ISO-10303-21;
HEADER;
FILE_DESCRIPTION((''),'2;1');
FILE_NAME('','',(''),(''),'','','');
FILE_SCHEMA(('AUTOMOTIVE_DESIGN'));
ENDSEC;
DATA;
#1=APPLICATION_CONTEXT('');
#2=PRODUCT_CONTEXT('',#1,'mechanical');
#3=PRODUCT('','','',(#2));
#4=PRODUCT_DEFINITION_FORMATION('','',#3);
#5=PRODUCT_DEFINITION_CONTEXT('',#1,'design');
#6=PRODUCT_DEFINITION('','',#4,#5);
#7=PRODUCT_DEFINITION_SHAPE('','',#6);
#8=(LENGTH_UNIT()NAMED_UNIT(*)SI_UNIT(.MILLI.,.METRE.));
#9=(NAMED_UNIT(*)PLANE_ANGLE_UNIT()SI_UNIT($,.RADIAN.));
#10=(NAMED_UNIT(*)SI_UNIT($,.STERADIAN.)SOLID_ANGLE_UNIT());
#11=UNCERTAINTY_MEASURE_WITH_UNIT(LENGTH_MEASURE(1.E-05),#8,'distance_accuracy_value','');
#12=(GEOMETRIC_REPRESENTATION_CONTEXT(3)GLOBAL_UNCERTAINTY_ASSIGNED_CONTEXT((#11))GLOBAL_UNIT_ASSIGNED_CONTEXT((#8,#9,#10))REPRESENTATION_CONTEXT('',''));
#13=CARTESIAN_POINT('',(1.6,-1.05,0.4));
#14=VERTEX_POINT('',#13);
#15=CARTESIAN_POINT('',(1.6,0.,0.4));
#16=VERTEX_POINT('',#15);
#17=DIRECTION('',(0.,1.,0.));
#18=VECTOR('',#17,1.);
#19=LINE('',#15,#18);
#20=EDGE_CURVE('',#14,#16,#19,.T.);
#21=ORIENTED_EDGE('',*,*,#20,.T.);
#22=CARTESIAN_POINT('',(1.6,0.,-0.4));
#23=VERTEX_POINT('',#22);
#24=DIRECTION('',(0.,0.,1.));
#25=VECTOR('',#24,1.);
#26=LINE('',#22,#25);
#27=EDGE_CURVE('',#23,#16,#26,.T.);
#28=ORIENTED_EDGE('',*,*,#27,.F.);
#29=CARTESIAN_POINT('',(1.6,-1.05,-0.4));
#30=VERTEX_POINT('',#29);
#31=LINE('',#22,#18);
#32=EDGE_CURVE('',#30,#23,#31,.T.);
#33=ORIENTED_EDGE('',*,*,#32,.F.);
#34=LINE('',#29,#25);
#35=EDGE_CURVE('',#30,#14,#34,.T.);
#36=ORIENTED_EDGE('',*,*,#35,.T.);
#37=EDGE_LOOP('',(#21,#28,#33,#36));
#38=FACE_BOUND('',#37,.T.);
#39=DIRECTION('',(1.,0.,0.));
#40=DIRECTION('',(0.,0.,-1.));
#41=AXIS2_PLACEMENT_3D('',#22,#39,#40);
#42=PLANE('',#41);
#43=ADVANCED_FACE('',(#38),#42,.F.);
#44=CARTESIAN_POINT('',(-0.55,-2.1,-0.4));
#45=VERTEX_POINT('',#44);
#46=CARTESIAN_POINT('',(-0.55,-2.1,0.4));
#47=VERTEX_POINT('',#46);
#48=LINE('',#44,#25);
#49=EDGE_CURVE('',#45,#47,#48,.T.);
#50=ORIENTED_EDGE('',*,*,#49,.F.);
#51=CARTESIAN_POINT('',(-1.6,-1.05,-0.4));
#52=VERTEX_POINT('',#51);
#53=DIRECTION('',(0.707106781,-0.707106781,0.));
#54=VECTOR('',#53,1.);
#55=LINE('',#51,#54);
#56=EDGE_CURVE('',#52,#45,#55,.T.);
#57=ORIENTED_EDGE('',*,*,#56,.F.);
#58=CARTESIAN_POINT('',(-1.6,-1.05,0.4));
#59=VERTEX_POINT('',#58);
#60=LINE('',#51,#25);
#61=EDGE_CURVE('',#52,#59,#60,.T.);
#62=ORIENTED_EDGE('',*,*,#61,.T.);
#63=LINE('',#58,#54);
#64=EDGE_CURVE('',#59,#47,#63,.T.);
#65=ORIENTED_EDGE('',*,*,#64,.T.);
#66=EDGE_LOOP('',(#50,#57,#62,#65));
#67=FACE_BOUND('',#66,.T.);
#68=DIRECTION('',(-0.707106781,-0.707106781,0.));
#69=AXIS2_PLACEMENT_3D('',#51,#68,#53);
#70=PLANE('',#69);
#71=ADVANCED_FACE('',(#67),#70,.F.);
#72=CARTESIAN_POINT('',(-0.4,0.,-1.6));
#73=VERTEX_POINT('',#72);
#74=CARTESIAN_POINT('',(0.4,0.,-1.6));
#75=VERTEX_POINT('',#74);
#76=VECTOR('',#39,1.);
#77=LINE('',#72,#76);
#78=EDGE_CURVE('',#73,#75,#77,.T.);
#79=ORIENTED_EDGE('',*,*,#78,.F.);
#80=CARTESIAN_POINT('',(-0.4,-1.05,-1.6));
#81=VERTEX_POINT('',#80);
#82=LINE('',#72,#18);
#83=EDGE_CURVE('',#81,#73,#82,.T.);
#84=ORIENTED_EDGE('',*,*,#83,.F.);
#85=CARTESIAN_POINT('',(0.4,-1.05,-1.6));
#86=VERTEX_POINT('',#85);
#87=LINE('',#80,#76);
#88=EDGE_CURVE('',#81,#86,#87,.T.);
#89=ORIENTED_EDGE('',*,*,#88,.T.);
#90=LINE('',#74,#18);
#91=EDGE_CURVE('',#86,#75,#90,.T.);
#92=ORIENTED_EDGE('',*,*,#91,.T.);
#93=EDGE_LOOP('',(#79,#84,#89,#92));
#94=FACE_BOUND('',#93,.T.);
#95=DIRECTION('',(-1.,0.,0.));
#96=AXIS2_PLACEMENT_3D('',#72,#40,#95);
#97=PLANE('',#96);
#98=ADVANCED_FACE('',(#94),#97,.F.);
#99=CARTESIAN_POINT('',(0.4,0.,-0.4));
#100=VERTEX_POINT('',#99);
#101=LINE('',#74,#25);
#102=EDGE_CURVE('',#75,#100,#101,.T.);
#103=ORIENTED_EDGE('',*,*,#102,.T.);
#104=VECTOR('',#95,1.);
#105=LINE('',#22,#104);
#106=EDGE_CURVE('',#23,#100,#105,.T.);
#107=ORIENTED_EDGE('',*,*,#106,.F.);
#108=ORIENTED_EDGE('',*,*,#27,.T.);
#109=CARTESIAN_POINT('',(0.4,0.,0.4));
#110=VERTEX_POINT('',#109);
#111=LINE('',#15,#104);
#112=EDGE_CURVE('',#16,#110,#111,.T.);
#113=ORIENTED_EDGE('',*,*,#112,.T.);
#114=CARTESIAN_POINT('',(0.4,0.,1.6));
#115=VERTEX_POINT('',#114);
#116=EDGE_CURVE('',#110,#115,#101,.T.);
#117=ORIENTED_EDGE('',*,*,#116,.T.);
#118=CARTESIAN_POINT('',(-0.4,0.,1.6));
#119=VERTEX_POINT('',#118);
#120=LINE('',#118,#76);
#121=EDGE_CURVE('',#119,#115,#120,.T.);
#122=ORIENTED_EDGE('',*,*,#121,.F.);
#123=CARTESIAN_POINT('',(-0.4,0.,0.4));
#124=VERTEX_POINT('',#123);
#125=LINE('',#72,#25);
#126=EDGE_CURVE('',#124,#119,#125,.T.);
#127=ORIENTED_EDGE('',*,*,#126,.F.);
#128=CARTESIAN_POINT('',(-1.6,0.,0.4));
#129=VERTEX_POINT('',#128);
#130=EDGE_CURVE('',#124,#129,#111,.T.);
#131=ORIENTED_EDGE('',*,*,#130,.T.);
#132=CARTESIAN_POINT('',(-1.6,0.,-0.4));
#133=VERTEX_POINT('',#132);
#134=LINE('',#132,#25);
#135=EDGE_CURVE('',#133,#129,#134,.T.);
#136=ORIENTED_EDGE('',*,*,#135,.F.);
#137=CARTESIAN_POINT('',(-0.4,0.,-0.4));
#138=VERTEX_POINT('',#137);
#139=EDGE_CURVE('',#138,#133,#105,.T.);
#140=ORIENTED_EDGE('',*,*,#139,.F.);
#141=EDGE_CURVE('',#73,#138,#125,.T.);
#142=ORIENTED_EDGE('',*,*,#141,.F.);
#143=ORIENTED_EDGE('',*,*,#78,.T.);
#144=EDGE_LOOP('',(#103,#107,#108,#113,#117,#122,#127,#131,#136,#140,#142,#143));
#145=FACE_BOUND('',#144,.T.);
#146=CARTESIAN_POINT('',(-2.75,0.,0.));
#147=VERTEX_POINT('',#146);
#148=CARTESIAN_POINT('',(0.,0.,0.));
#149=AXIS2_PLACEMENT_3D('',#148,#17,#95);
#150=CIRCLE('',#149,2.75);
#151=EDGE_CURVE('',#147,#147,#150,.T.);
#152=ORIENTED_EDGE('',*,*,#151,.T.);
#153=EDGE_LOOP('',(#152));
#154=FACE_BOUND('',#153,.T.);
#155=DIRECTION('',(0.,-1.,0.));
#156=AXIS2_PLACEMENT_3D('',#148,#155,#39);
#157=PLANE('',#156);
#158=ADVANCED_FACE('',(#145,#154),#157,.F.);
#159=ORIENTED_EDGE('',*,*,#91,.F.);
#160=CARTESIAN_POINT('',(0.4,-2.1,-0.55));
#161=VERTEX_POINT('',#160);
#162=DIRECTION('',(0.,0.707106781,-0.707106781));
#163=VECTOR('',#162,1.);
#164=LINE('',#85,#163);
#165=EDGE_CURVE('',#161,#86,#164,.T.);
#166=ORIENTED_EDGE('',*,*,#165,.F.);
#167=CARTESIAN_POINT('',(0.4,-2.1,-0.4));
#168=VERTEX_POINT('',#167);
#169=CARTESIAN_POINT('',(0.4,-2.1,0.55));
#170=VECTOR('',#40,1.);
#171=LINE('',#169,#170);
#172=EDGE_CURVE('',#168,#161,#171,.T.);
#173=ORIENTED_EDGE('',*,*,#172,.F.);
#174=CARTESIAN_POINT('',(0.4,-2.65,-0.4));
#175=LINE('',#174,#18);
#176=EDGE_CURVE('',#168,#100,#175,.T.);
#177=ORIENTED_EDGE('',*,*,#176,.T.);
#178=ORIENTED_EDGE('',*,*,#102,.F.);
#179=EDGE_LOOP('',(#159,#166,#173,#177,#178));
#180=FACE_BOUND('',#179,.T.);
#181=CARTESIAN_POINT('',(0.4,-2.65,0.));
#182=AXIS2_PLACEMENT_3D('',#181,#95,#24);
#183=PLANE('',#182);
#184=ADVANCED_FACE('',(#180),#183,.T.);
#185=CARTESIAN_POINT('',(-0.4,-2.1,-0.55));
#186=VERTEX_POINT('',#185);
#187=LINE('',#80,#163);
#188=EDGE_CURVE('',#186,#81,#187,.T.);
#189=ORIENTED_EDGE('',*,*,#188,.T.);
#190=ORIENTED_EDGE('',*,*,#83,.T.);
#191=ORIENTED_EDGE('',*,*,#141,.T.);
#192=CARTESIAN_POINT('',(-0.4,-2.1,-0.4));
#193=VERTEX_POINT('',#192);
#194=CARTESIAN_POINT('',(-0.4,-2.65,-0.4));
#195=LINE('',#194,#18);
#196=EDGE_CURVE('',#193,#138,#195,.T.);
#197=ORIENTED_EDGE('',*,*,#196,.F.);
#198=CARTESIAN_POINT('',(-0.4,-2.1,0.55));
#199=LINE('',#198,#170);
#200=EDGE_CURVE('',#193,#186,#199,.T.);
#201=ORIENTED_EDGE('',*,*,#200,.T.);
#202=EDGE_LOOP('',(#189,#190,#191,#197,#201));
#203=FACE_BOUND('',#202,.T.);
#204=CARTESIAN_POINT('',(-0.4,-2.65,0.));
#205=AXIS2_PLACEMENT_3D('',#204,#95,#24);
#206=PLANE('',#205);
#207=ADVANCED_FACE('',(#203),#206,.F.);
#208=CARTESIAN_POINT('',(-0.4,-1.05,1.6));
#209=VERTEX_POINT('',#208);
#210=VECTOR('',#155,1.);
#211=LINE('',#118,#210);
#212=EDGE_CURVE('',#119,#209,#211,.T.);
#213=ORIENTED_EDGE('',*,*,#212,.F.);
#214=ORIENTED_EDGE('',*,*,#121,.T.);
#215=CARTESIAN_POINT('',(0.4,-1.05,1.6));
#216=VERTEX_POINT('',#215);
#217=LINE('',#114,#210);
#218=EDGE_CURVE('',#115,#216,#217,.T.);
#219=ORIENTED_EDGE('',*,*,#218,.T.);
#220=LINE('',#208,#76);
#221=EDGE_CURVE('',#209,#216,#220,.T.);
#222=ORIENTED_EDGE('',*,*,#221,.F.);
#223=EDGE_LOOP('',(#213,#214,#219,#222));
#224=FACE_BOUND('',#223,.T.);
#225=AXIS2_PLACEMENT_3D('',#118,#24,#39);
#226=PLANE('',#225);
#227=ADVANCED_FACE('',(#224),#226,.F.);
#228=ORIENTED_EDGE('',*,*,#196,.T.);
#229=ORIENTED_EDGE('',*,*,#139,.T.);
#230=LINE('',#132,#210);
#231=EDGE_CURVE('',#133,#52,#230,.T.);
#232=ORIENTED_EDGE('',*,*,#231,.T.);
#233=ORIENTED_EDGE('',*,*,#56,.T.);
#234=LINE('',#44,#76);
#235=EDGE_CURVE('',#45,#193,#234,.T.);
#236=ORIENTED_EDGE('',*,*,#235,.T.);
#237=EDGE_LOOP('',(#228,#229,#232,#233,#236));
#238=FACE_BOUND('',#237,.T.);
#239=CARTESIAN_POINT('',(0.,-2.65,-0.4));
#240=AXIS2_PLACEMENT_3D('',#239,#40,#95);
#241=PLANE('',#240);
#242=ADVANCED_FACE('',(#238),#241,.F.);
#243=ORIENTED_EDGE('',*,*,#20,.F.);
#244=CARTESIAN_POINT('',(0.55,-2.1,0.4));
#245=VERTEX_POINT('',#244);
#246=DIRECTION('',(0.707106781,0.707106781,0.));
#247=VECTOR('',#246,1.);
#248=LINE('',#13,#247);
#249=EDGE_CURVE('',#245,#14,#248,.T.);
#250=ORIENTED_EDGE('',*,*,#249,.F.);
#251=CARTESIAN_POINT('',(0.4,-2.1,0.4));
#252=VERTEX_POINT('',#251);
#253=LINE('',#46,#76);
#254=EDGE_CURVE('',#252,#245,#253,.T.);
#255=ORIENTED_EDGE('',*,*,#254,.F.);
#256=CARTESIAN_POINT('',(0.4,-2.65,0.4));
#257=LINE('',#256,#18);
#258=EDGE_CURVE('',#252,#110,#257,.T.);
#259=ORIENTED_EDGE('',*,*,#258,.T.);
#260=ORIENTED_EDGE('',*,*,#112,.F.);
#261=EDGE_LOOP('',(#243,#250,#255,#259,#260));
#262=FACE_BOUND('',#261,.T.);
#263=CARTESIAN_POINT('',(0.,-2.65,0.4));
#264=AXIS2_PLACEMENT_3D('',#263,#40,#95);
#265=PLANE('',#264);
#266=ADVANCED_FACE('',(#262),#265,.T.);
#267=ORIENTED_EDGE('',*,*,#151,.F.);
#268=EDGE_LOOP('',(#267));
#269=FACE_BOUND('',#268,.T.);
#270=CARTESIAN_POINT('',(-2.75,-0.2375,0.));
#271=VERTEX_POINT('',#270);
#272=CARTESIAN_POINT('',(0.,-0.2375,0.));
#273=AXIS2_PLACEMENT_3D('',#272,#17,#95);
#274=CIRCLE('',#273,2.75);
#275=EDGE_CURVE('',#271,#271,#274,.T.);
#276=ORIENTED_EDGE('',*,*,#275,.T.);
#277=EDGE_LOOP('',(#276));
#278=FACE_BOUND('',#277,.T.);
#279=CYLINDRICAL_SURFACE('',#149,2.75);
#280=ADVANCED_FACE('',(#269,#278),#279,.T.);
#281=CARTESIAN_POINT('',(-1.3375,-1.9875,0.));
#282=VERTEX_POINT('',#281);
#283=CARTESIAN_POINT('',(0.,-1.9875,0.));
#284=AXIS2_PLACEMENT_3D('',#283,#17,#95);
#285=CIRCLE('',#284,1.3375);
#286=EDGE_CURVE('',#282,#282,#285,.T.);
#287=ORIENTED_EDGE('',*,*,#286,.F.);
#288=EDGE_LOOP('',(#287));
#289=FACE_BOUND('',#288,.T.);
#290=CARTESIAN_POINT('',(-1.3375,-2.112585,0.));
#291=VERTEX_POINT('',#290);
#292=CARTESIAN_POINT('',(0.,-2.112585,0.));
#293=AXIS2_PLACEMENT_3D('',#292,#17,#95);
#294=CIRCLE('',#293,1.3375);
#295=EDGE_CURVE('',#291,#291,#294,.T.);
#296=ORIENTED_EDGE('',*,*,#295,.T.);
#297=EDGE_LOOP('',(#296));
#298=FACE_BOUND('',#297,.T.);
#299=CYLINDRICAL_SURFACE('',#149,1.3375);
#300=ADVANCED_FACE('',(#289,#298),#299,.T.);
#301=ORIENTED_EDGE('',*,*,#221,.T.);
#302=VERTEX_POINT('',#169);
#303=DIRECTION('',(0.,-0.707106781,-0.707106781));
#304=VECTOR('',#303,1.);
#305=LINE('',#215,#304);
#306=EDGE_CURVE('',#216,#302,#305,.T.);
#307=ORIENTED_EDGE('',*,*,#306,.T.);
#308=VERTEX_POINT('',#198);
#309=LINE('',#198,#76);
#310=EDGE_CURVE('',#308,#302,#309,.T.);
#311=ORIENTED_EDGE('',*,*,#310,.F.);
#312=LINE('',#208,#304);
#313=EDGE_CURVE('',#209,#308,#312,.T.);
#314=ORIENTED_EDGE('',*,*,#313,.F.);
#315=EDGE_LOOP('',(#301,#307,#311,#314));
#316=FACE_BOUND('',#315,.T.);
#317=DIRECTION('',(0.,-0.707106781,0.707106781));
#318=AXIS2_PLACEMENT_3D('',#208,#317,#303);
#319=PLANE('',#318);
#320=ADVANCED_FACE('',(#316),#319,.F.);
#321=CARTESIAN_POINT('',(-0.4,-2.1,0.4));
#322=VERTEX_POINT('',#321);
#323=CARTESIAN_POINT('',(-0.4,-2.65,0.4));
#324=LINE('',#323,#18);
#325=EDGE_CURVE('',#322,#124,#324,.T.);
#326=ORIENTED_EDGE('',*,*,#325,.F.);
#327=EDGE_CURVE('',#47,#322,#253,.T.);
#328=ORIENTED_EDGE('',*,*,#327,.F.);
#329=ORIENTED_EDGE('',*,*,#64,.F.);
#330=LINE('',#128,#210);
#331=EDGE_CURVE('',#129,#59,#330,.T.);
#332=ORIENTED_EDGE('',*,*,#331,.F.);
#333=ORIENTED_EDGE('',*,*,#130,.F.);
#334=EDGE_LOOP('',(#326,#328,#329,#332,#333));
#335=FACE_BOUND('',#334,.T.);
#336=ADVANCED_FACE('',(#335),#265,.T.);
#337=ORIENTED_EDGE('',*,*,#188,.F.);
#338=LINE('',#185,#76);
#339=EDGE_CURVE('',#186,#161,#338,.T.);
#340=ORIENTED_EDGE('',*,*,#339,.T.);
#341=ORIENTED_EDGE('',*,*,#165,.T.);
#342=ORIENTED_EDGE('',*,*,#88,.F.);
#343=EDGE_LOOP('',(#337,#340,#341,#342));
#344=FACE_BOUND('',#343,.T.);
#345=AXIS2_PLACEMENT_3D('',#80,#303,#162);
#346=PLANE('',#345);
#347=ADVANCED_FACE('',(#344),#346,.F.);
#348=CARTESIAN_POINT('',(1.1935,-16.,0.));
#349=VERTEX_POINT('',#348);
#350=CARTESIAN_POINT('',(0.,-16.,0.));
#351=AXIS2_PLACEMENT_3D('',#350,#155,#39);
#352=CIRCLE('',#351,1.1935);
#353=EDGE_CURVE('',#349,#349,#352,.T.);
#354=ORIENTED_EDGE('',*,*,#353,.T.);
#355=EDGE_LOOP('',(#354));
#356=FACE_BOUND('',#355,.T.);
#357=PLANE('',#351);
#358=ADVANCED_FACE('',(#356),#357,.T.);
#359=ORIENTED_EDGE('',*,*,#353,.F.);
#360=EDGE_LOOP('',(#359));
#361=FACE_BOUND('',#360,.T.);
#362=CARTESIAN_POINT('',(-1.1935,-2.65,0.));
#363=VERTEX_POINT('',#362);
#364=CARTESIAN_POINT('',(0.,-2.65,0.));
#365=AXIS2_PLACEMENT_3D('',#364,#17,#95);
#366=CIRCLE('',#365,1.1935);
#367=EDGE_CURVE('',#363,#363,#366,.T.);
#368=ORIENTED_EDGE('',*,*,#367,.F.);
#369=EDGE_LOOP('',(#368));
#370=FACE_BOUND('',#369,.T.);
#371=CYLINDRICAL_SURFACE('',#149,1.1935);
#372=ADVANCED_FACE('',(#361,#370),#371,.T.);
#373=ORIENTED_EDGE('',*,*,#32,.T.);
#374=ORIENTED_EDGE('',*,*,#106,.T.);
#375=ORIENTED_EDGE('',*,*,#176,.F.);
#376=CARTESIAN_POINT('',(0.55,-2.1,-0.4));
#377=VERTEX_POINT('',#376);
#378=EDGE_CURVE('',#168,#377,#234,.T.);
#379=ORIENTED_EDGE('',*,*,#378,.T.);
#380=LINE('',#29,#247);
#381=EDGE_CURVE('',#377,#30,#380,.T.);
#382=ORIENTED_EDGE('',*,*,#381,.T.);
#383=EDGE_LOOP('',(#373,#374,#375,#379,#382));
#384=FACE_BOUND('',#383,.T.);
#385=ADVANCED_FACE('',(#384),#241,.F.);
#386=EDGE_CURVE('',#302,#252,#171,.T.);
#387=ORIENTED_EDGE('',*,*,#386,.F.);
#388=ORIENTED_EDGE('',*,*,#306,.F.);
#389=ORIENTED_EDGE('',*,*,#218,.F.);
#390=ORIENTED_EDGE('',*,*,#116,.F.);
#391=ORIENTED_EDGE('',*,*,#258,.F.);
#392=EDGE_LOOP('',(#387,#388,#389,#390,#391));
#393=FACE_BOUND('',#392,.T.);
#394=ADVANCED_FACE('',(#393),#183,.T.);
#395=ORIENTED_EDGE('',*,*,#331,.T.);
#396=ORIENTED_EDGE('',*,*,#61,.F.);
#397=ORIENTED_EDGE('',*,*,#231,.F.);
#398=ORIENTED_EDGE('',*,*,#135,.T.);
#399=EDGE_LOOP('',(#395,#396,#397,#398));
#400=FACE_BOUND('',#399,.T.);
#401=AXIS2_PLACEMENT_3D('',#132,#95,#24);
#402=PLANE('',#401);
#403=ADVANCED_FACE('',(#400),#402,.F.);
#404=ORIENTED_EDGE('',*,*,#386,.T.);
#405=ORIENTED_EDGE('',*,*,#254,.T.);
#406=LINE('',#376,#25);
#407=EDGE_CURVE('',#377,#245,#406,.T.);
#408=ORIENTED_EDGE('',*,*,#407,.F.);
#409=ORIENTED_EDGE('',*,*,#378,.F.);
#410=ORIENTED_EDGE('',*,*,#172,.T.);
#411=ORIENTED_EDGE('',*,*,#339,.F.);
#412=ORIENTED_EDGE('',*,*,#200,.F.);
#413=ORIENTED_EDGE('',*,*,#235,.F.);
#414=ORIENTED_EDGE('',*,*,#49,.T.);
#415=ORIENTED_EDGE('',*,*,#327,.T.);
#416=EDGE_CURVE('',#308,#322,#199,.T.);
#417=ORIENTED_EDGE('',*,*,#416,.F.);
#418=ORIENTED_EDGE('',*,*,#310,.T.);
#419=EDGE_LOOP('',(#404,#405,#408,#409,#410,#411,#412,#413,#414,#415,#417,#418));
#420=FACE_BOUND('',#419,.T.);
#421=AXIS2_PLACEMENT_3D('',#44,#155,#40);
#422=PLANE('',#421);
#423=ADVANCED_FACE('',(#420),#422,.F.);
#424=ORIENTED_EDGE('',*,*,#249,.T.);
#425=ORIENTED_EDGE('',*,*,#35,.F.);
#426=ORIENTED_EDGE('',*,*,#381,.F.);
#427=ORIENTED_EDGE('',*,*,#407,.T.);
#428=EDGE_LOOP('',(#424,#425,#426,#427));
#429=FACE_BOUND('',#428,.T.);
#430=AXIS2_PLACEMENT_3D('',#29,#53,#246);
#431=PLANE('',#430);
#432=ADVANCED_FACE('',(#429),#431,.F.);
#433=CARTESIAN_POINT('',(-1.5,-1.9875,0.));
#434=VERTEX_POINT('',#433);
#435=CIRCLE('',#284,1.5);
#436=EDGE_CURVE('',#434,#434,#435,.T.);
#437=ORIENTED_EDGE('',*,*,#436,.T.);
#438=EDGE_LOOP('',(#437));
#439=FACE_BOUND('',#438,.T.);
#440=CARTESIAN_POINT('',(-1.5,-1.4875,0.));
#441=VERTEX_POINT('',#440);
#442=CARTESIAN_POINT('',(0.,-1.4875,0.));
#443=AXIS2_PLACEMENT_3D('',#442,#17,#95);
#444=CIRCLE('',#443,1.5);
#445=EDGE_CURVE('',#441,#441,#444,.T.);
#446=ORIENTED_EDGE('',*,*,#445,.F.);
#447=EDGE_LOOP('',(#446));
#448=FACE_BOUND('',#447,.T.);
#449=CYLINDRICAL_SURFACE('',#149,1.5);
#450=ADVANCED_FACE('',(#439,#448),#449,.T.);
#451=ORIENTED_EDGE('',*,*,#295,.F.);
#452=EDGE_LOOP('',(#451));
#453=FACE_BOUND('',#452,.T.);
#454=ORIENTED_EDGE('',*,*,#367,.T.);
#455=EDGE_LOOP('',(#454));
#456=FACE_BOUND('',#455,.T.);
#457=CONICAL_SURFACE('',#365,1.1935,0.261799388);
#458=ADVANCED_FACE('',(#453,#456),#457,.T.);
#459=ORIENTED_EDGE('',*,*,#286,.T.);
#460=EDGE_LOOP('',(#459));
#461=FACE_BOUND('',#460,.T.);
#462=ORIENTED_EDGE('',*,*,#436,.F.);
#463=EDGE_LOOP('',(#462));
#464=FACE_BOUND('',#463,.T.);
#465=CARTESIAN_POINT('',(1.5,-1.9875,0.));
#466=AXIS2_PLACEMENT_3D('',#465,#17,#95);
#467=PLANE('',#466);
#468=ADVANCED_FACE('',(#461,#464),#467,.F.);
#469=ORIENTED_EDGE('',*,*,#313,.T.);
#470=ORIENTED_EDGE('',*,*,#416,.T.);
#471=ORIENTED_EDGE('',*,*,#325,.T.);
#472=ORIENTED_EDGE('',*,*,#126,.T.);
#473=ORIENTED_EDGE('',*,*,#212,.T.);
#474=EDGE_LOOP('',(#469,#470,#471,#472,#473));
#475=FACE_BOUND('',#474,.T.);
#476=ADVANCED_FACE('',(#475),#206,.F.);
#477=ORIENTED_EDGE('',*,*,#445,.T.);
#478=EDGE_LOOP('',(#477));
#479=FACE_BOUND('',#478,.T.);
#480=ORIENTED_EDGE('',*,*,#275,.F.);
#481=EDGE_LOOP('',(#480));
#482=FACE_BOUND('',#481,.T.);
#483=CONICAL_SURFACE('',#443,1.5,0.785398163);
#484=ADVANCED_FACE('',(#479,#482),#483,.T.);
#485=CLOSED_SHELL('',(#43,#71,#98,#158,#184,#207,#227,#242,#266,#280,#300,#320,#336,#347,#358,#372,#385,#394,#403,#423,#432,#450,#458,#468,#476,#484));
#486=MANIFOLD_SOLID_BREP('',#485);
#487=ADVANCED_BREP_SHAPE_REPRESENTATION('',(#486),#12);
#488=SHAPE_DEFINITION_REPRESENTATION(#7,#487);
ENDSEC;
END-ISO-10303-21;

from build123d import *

# Parameters (mm, degrees)
KREUZSCHLITZ1_H_DEPTH      = 0.4
KREUZSCHLITZ1_H_DEPTH_BACK = 0.4
KREUZSCHLITZ2_H_DEPTH      = 0.4
KREUZSCHLITZ2_H_DEPTH_BACK = 0.4
BOSS_EXTRUDE1_START        = 8
SKETCH1_R                  = 1.1935
BOSS_EXTRUDE1_DEPTH        = 8


with BuildPart() as part:
    # Skizze1 → Basis-Rotation (revolve)
    with BuildSketch(Plane.XY, mode=Mode.PRIVATE) as basis_rotation_sk:
        Polygon((0, 0), (2.75, 0), (2.75, -0.2375), (1.5, -1.4875), (1.5, -1.9875), (1.3375, -1.9875), (1.3375, -2.112584684), (1.1935, -2.65), (1.1935, -8), (0, -8), align=None)
    revolve(basis_rotation_sk.sketch.rotate(Axis((0, 0, 0), (0, -1, 0)), 180), axis=Axis((0, 0, 0), (0, -1, 0)))

    # Skizze2 → Kreuzschlitz1 H (cut, two sides: drawn at the far end of the back side and taken through both)
    with BuildSketch(Plane.XY.offset(-KREUZSCHLITZ1_H_DEPTH_BACK)):
        Polygon((-0.55, -2.1), (0.55, -2.1), (1.6, -1.05), (1.6, 0), (-1.6, 0), (-1.6, -1.05), align=None)
    extrude(amount=KREUZSCHLITZ1_H_DEPTH + KREUZSCHLITZ1_H_DEPTH_BACK, mode=Mode.SUBTRACT)

    # Skizze3 → Kreuzschlitz2 H (cut, two sides: drawn at the far end of the back side and taken through both)
    with BuildSketch(Plane(origin=(0, 0, 0), x_dir=(0, 0, -1), z_dir=(1, 0, 0)).offset(-KREUZSCHLITZ2_H_DEPTH_BACK)):
        Polygon((-0.55, -2.1), (0.55, -2.1), (1.6, -1.05), (1.6, 0), (-1.6, 0), (-1.6, -1.05), align=None)
    extrude(amount=KREUZSCHLITZ2_H_DEPTH + KREUZSCHLITZ2_H_DEPTH_BACK, mode=Mode.SUBTRACT)

    # Sketch1 → Boss-Extrude1 (add)
    with BuildSketch(Plane.XZ.offset(8).offset(BOSS_EXTRUDE1_START)):
        with Locations(Location((0, 0, 0), (0, 0, 180))):
            Circle(SKETCH1_R)
    extrude(amount=-BOSS_EXTRUDE1_DEPTH)


solid = part.part
